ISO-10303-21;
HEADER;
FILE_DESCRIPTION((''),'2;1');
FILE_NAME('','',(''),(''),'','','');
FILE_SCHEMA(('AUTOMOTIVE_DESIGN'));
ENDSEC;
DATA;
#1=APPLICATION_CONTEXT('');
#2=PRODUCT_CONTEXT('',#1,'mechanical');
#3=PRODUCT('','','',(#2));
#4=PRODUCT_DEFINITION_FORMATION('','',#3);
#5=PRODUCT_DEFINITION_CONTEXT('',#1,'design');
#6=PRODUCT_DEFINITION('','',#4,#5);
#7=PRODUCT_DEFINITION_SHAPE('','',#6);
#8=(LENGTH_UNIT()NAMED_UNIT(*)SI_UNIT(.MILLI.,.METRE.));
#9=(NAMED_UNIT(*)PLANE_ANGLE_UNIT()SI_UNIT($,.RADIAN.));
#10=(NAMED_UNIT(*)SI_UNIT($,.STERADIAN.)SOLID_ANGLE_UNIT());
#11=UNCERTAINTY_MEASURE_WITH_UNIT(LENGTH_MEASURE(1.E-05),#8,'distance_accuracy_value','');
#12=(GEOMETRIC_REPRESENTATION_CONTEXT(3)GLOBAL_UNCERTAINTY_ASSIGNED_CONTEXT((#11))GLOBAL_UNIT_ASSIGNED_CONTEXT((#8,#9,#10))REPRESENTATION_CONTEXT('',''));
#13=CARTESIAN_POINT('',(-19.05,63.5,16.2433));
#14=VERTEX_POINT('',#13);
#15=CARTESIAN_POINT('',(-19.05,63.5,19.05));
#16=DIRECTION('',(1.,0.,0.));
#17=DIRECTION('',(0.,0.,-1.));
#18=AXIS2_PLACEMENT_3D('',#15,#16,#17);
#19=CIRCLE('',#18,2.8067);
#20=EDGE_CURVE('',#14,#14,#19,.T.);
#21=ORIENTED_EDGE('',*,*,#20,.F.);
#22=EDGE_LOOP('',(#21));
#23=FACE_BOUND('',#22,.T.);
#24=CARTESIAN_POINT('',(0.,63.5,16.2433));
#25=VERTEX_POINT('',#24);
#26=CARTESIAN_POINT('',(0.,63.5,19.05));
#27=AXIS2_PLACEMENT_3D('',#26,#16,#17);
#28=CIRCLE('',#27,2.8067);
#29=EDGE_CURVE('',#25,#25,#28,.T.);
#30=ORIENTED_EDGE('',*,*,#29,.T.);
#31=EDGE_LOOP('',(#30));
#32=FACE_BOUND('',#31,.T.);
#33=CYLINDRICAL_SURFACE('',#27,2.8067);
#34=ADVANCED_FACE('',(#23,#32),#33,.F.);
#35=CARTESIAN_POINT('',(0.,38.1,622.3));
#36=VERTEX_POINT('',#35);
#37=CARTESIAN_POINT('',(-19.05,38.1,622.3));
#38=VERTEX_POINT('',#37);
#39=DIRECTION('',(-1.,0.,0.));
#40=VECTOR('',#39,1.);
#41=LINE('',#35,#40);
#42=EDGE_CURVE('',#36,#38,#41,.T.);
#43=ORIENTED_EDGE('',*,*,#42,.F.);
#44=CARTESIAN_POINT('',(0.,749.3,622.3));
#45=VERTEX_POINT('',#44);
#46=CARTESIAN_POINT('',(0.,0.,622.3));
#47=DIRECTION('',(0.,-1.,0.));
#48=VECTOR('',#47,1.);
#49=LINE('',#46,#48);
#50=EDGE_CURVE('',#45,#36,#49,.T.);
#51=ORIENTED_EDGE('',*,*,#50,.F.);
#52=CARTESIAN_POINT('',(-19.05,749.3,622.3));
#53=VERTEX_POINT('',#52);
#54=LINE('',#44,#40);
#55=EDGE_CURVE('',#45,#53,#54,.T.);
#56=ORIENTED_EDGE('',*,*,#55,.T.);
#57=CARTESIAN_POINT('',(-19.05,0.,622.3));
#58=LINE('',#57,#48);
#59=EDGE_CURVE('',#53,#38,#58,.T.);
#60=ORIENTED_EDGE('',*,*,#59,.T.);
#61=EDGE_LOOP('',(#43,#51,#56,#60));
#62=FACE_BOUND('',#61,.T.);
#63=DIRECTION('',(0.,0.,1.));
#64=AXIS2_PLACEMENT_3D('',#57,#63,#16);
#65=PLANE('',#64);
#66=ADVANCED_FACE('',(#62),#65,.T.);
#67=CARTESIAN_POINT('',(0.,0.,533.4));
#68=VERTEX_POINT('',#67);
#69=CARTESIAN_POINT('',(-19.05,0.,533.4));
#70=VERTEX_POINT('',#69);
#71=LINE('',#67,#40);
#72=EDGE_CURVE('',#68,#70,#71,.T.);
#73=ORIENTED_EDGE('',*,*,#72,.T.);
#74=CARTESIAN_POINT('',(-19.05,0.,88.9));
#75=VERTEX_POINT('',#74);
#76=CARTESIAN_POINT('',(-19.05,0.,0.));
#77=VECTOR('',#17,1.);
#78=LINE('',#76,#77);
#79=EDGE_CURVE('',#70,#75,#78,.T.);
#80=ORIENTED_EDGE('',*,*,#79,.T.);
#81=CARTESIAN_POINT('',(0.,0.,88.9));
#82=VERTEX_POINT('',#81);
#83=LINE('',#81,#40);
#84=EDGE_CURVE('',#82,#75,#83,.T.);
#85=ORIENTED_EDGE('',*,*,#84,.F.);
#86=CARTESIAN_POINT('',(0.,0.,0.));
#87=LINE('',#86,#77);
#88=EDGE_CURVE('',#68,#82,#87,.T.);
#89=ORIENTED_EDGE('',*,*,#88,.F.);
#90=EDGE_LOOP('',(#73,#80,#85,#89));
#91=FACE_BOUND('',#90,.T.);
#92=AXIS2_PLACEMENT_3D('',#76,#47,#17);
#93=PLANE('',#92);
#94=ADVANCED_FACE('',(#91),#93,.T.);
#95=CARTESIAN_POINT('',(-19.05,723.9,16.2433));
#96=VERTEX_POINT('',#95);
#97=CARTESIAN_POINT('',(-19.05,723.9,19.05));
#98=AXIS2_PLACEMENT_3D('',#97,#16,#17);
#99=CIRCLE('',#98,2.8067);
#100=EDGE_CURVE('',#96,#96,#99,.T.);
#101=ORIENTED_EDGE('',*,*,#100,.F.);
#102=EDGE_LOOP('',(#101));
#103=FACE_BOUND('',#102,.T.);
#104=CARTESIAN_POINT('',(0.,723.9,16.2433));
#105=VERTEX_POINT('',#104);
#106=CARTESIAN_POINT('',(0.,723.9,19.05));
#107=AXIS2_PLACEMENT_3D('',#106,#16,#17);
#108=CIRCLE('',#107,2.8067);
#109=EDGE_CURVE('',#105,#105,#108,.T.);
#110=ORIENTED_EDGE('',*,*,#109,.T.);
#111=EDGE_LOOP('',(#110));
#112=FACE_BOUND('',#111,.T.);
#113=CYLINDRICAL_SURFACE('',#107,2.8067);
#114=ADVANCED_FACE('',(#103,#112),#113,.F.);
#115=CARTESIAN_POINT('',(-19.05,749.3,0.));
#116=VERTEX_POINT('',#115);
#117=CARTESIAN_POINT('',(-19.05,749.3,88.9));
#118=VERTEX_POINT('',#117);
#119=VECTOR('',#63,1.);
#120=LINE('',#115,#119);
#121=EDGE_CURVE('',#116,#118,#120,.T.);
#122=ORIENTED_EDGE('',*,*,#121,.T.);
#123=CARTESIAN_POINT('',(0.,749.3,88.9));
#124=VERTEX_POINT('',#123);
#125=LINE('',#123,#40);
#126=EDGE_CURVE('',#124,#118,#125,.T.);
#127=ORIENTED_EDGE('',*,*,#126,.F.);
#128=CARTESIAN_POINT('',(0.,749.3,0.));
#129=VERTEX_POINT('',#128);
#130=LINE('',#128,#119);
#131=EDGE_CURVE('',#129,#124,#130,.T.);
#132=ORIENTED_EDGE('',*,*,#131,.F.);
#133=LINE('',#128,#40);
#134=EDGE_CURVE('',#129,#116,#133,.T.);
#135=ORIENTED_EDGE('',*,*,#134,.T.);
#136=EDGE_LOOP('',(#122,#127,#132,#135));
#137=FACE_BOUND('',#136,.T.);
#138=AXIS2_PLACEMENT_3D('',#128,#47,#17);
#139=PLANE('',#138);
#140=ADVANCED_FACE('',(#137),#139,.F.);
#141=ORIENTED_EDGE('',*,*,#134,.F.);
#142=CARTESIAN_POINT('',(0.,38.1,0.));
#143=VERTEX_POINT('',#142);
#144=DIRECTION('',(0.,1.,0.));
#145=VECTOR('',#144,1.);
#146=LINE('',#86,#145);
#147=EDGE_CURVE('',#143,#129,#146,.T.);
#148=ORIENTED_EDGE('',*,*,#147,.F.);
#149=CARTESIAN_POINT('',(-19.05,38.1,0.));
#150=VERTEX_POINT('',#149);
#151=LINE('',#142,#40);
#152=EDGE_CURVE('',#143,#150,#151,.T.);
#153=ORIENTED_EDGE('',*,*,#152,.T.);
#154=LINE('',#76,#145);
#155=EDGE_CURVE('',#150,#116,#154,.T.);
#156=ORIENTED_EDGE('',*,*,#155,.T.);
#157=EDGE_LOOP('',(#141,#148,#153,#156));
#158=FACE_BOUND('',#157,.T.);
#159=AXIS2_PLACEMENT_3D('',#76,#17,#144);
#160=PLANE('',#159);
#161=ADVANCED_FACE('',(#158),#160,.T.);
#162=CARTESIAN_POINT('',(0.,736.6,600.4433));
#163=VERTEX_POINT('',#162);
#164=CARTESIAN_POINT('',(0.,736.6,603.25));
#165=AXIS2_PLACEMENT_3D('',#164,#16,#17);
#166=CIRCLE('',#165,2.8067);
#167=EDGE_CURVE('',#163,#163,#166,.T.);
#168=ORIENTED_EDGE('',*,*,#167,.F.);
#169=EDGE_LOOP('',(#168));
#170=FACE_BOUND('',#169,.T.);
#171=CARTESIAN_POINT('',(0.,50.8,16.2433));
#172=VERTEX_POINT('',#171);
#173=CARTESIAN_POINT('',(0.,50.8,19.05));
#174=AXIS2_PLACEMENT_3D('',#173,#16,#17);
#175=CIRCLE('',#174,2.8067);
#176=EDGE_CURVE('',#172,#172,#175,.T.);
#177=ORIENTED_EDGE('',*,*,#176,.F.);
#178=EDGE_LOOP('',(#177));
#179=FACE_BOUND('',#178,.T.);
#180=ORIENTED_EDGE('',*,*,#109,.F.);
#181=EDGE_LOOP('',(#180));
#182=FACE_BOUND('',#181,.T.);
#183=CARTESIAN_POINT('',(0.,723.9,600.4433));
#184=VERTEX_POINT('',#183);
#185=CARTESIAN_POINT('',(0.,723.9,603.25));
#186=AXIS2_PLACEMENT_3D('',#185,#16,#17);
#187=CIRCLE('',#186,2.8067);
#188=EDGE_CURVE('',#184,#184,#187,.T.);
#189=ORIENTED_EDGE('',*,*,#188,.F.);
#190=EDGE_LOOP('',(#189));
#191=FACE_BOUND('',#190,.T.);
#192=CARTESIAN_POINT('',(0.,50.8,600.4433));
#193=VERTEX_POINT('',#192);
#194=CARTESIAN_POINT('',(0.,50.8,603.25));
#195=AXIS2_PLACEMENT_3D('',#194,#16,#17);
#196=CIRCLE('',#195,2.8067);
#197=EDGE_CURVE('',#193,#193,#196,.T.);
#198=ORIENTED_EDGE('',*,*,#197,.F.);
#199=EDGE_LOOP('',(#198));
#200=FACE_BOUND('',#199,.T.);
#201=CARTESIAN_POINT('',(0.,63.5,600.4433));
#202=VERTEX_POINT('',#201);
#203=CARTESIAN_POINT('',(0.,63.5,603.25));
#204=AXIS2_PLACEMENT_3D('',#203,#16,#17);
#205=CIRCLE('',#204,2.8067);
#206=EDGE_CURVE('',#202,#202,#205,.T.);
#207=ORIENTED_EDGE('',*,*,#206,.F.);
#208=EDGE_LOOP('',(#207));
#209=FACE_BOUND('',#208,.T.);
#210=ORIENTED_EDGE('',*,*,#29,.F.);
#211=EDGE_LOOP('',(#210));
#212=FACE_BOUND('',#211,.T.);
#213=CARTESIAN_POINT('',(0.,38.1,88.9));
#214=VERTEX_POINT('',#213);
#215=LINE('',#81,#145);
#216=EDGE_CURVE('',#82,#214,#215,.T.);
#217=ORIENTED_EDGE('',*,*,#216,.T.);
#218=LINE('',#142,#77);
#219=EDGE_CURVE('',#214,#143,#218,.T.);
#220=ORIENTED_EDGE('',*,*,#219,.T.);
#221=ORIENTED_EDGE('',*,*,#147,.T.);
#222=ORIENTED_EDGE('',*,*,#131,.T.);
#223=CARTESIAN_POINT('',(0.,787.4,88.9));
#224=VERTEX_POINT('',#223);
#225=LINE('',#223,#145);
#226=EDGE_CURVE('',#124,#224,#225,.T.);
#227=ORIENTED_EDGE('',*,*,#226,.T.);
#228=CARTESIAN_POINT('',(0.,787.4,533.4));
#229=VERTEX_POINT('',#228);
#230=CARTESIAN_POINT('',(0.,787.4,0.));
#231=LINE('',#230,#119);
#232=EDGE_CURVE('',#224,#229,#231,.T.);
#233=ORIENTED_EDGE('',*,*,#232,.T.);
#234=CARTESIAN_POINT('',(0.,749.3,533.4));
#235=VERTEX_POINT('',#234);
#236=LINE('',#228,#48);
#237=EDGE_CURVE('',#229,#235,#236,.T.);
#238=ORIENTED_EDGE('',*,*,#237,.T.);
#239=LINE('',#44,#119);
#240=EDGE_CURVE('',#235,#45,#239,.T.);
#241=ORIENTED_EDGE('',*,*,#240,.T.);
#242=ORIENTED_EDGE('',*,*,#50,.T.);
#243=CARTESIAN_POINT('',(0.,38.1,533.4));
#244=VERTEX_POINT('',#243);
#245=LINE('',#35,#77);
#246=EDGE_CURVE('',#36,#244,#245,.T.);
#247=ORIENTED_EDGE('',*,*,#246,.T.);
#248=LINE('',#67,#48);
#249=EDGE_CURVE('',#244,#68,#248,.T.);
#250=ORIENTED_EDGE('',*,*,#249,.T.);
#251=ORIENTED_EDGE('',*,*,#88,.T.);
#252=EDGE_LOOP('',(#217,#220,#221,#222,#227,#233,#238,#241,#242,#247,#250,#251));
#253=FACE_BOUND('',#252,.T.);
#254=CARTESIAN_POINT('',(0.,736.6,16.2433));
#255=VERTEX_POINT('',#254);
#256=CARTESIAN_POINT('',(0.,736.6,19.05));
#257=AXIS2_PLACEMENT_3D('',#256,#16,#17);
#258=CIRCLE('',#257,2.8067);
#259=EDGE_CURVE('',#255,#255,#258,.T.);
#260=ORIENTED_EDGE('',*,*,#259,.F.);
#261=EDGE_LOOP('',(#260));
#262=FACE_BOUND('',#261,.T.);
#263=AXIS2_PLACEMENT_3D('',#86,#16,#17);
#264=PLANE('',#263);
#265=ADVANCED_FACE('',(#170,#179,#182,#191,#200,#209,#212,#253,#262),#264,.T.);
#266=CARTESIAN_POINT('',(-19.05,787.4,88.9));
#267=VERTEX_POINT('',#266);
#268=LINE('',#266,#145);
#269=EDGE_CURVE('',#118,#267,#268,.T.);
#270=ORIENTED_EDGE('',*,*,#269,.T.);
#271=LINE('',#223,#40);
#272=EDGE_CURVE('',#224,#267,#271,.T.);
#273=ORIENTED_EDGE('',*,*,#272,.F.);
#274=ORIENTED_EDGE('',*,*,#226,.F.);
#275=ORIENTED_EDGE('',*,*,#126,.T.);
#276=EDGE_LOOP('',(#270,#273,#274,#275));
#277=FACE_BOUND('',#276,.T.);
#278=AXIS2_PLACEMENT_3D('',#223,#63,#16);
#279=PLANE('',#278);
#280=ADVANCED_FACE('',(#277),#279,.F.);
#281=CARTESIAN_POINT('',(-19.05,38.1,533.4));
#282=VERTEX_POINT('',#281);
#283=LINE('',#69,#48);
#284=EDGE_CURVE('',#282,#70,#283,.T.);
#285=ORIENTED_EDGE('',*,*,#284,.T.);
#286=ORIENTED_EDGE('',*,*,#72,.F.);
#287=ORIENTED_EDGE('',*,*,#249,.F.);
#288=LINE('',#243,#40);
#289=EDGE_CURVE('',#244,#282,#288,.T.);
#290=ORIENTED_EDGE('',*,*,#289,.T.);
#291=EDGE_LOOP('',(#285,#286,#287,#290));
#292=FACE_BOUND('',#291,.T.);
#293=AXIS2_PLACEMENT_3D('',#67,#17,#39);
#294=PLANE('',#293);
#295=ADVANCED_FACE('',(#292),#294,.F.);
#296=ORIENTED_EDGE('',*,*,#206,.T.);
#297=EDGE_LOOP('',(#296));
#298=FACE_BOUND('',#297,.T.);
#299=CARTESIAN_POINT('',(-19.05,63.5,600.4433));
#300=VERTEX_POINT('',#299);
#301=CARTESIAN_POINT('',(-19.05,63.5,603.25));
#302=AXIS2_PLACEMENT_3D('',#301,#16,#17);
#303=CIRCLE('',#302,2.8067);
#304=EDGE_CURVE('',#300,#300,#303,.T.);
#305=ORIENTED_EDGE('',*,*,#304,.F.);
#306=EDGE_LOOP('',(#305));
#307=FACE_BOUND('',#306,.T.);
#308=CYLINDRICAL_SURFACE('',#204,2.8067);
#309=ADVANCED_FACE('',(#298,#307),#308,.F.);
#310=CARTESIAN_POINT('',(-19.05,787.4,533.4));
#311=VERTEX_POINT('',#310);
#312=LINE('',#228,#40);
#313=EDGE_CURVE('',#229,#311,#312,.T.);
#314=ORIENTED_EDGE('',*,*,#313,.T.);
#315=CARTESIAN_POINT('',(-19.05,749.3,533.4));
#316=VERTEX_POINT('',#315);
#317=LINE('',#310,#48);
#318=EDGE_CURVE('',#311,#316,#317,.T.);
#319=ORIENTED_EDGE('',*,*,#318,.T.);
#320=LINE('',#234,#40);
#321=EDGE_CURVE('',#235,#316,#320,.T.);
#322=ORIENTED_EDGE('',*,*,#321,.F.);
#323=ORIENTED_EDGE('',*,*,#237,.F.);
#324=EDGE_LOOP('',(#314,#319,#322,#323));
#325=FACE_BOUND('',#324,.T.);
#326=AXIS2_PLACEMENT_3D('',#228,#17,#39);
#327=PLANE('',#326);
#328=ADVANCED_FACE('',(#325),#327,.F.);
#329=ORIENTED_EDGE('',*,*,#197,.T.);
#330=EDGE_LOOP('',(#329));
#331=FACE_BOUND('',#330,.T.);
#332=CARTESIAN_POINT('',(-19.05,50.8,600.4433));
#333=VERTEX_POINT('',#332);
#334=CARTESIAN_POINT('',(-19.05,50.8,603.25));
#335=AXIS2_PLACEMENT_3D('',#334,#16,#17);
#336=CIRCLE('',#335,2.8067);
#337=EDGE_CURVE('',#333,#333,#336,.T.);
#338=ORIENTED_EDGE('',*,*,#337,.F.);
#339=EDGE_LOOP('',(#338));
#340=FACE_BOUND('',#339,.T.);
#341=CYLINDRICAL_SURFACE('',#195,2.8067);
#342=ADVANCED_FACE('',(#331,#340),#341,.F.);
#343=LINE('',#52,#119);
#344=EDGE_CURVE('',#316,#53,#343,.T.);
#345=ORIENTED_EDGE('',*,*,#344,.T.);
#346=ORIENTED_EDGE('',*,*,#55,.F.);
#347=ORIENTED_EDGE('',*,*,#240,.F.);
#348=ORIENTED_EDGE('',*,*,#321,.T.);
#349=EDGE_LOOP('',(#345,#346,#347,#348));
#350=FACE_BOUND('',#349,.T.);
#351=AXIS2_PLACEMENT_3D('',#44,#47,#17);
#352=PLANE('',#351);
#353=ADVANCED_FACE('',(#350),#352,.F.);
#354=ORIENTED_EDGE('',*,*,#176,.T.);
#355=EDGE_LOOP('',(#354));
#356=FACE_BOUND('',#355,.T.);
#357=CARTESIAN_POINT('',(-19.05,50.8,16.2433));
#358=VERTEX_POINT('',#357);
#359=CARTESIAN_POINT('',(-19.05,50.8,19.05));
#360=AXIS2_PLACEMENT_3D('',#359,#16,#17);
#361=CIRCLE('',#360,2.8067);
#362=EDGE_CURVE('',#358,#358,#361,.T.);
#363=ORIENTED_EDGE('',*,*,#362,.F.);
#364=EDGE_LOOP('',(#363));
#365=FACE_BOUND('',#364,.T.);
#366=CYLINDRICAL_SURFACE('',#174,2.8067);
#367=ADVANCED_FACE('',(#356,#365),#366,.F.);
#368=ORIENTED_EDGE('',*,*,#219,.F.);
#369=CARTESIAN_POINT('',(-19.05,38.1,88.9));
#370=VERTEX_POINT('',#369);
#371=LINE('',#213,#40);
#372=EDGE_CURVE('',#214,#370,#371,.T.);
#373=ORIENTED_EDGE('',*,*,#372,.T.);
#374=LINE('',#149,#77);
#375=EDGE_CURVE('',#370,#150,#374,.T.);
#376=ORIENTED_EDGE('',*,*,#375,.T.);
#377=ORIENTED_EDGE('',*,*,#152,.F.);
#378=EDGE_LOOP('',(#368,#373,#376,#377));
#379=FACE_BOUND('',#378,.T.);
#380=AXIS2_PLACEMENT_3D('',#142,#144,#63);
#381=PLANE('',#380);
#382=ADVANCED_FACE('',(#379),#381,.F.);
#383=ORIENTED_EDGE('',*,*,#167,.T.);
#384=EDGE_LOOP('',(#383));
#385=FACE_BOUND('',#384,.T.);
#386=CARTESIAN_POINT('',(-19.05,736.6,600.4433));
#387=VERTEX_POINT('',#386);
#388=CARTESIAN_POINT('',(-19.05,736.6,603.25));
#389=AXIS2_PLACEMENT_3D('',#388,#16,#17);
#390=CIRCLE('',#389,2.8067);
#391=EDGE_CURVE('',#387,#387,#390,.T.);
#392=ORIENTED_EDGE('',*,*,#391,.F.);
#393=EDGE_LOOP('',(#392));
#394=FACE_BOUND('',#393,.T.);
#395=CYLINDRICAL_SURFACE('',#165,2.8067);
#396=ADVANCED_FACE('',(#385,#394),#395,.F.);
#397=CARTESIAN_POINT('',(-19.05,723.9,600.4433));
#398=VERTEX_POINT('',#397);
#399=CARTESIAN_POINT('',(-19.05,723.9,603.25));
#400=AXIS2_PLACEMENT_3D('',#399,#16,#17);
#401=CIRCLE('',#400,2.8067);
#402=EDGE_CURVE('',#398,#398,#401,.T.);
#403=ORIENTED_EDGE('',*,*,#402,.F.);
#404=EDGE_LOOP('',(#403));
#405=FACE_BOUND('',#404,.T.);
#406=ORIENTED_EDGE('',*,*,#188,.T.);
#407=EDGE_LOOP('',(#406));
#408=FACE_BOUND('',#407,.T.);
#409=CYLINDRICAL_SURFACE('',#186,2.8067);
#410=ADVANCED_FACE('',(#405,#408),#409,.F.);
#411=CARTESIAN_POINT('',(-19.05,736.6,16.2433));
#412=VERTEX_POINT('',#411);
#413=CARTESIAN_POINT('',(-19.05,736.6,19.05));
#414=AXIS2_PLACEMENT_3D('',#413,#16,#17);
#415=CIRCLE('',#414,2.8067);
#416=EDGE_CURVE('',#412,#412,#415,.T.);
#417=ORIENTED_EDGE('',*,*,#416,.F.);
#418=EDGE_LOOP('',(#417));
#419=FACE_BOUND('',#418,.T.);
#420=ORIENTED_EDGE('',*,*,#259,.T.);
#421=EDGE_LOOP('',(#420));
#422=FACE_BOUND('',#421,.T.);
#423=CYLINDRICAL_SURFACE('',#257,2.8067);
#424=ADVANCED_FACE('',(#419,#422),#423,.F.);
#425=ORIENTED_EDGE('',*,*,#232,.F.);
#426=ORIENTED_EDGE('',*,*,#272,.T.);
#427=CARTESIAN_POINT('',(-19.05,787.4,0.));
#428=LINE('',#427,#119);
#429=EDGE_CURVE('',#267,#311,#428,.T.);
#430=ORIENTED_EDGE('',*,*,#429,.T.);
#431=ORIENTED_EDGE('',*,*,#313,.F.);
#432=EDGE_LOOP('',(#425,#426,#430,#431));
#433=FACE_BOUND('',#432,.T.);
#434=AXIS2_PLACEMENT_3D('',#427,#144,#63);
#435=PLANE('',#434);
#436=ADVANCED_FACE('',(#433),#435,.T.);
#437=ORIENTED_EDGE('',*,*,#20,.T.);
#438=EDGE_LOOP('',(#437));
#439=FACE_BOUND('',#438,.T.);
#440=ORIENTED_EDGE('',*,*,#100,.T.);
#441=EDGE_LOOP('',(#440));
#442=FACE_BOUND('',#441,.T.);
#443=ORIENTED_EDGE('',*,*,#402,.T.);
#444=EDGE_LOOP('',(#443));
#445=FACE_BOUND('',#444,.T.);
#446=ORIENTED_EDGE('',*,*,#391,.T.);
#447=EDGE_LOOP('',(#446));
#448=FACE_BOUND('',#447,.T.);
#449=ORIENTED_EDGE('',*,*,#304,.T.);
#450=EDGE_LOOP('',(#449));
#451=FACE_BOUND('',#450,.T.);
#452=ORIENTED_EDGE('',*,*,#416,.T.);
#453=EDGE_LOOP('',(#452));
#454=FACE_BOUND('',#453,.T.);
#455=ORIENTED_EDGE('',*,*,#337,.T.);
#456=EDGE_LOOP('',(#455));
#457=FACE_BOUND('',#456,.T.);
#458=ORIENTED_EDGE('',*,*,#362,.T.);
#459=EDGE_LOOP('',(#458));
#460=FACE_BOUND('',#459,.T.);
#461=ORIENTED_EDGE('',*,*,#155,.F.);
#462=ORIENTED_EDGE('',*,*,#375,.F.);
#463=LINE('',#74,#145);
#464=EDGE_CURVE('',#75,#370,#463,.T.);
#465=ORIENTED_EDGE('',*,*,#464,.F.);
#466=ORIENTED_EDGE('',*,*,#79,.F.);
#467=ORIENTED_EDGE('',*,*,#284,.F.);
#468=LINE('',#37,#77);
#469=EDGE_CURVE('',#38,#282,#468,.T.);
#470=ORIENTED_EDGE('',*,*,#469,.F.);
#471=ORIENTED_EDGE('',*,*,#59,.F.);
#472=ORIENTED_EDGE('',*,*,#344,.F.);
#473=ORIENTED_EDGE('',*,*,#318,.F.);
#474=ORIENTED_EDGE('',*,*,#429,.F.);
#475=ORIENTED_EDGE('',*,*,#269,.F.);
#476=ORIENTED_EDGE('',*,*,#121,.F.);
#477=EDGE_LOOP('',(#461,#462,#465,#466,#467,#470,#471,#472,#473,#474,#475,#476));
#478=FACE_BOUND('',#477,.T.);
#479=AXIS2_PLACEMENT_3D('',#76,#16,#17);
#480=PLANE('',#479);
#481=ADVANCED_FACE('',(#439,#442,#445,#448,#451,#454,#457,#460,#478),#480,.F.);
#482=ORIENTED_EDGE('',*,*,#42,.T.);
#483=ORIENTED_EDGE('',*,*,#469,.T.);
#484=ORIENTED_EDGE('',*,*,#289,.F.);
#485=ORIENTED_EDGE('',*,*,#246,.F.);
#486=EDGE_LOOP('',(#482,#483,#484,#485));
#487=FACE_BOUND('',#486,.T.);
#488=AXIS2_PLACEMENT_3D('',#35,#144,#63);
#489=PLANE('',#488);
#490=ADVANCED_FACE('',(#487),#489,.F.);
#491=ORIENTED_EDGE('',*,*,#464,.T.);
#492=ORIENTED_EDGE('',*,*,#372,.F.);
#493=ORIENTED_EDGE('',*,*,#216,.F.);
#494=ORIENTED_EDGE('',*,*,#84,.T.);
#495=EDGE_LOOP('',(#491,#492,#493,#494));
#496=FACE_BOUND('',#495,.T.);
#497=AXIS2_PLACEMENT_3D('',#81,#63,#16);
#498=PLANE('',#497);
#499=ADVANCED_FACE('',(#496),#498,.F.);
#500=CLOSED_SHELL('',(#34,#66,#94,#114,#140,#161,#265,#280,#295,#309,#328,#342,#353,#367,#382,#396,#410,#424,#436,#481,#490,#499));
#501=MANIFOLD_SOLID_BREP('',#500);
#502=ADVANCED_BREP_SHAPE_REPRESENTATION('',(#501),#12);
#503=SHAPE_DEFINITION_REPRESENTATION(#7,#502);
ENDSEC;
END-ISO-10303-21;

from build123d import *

# Parameters (mm, degrees)
SKETCH1_W              = 622.3
SKETCH1_H              = 787.4
BOSS_EXTRUDE1_DEPTH    = 19.05
SKETCH2_W              = 88.9
SKETCH2_H              = 38.1
CUT_EXTRUDE1_DEPTH     = 1004.802247706
F_10_CLEARANCE_HOLE6_D = 5.6134


with BuildPart() as part:
    # Sketch1 → Boss-Extrude1 (new body)
    with BuildSketch(Plane(origin=(0, 0, 0), x_dir=(0, 0, -1), z_dir=(1, 0, 0))):
        with Locations((-311.15, 393.7)):
            Rectangle(SKETCH1_W, SKETCH1_H)
    extrude(amount=-BOSS_EXTRUDE1_DEPTH)

    # Sketch2 → Cut-Extrude1 (cut, through all)
    with BuildSketch(Plane.ZY.offset(19.05)):
        with Locations((44.45, 768.35)):
            Rectangle(SKETCH2_W, SKETCH2_H)
        with Locations((577.85, 768.35)):
            Rectangle(SKETCH2_W, SKETCH2_H)
        with Locations((577.85, 19.05)):
            Rectangle(SKETCH2_W, SKETCH2_H)
        with Locations((44.45, 19.05)):
            Rectangle(SKETCH2_W, SKETCH2_H)
    extrude(amount=-CUT_EXTRUDE1_DEPTH, mode=Mode.SUBTRACT)

    # #10 Clearance Hole6 (through all)
    with Locations(Plane(origin=(0, 0, 0), x_dir=(0, 0, -1), z_dir=(1, 0, 0))):
        with Locations((-603.25, 50.8), (-603.25, 63.5), (-19.05, 50.8), (-19.05, 63.5), (-19.05, 723.9), (-19.05, 736.6), (-603.25, 723.9), (-603.25, 736.6)):
            Hole(F_10_CLEARANCE_HOLE6_D / 2)


solid = part.part
